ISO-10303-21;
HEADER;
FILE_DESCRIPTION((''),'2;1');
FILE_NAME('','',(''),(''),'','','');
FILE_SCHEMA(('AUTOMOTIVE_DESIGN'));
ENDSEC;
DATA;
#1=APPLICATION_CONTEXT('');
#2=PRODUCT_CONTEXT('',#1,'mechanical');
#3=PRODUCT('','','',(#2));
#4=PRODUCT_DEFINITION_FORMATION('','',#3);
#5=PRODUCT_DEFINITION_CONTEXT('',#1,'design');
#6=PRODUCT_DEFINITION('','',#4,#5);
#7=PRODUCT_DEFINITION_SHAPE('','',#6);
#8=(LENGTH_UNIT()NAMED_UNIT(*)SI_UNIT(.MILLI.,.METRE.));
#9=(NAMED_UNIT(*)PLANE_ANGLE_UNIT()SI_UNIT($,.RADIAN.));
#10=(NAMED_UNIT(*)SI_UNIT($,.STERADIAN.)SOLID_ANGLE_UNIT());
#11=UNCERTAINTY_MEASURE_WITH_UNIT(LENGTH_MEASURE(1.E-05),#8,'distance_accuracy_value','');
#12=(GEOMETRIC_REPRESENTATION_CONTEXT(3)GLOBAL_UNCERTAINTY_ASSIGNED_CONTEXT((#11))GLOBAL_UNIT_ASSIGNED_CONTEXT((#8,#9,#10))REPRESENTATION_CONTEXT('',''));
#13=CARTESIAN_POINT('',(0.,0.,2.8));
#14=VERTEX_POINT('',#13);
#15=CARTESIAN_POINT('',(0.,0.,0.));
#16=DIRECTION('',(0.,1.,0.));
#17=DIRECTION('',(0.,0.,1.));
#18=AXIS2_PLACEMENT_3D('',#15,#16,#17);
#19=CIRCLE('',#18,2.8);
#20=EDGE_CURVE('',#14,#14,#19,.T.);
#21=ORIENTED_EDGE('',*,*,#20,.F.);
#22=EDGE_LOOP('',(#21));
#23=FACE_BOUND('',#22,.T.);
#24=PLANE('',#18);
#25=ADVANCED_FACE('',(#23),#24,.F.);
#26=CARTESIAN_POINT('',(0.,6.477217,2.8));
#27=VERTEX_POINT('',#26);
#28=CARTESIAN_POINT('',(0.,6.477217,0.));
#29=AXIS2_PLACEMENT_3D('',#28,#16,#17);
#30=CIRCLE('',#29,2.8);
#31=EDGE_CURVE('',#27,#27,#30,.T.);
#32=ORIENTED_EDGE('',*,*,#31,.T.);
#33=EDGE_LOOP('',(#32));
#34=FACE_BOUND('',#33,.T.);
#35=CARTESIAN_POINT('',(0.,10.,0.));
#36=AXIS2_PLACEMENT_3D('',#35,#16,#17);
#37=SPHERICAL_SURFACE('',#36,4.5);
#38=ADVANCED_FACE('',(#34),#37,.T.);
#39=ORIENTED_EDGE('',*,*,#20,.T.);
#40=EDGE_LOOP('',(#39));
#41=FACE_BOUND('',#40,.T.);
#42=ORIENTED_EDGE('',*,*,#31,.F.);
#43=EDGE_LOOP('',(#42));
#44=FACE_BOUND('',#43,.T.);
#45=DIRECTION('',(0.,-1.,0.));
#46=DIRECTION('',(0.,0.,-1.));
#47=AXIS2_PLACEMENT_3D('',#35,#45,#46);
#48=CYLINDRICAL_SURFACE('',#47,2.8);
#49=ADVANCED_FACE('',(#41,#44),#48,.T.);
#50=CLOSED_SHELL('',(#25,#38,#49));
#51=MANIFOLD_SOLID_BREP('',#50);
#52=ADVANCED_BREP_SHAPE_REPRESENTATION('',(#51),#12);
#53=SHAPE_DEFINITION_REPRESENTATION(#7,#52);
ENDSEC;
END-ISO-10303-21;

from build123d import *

# Parameters (mm, degrees)
SKETCH_1_R      = 2.8
EXTRUDE_1_DEPTH = 10


with BuildPart() as part:
    # 草图1 → 凸台-拉伸1 (new body)
    with BuildSketch(Plane(origin=(0, 0, 0), x_dir=(1, 0, 0), z_dir=(0, 1, 0))):
        with Locations(Location((0, 0, 0), (0, 0, 270))):
            Circle(SKETCH_1_R)
    extrude(amount=EXTRUDE_1_DEPTH)

    # 草图2 → 旋转1 (revolve)
    with BuildSketch(Plane(origin=(0, 10, 0), x_dir=(1, 0, 0), z_dir=(0, 1, 0))):
        with BuildLine():
            Line((0, 4.5), (0, -4.5))
            ThreePointArc((0, -4.5), (4.5, 0), (0, 4.5))
        make_face()
    revolve(axis=Axis((0, 10, -4.5), (0, 0, 1)))


solid = part.part
